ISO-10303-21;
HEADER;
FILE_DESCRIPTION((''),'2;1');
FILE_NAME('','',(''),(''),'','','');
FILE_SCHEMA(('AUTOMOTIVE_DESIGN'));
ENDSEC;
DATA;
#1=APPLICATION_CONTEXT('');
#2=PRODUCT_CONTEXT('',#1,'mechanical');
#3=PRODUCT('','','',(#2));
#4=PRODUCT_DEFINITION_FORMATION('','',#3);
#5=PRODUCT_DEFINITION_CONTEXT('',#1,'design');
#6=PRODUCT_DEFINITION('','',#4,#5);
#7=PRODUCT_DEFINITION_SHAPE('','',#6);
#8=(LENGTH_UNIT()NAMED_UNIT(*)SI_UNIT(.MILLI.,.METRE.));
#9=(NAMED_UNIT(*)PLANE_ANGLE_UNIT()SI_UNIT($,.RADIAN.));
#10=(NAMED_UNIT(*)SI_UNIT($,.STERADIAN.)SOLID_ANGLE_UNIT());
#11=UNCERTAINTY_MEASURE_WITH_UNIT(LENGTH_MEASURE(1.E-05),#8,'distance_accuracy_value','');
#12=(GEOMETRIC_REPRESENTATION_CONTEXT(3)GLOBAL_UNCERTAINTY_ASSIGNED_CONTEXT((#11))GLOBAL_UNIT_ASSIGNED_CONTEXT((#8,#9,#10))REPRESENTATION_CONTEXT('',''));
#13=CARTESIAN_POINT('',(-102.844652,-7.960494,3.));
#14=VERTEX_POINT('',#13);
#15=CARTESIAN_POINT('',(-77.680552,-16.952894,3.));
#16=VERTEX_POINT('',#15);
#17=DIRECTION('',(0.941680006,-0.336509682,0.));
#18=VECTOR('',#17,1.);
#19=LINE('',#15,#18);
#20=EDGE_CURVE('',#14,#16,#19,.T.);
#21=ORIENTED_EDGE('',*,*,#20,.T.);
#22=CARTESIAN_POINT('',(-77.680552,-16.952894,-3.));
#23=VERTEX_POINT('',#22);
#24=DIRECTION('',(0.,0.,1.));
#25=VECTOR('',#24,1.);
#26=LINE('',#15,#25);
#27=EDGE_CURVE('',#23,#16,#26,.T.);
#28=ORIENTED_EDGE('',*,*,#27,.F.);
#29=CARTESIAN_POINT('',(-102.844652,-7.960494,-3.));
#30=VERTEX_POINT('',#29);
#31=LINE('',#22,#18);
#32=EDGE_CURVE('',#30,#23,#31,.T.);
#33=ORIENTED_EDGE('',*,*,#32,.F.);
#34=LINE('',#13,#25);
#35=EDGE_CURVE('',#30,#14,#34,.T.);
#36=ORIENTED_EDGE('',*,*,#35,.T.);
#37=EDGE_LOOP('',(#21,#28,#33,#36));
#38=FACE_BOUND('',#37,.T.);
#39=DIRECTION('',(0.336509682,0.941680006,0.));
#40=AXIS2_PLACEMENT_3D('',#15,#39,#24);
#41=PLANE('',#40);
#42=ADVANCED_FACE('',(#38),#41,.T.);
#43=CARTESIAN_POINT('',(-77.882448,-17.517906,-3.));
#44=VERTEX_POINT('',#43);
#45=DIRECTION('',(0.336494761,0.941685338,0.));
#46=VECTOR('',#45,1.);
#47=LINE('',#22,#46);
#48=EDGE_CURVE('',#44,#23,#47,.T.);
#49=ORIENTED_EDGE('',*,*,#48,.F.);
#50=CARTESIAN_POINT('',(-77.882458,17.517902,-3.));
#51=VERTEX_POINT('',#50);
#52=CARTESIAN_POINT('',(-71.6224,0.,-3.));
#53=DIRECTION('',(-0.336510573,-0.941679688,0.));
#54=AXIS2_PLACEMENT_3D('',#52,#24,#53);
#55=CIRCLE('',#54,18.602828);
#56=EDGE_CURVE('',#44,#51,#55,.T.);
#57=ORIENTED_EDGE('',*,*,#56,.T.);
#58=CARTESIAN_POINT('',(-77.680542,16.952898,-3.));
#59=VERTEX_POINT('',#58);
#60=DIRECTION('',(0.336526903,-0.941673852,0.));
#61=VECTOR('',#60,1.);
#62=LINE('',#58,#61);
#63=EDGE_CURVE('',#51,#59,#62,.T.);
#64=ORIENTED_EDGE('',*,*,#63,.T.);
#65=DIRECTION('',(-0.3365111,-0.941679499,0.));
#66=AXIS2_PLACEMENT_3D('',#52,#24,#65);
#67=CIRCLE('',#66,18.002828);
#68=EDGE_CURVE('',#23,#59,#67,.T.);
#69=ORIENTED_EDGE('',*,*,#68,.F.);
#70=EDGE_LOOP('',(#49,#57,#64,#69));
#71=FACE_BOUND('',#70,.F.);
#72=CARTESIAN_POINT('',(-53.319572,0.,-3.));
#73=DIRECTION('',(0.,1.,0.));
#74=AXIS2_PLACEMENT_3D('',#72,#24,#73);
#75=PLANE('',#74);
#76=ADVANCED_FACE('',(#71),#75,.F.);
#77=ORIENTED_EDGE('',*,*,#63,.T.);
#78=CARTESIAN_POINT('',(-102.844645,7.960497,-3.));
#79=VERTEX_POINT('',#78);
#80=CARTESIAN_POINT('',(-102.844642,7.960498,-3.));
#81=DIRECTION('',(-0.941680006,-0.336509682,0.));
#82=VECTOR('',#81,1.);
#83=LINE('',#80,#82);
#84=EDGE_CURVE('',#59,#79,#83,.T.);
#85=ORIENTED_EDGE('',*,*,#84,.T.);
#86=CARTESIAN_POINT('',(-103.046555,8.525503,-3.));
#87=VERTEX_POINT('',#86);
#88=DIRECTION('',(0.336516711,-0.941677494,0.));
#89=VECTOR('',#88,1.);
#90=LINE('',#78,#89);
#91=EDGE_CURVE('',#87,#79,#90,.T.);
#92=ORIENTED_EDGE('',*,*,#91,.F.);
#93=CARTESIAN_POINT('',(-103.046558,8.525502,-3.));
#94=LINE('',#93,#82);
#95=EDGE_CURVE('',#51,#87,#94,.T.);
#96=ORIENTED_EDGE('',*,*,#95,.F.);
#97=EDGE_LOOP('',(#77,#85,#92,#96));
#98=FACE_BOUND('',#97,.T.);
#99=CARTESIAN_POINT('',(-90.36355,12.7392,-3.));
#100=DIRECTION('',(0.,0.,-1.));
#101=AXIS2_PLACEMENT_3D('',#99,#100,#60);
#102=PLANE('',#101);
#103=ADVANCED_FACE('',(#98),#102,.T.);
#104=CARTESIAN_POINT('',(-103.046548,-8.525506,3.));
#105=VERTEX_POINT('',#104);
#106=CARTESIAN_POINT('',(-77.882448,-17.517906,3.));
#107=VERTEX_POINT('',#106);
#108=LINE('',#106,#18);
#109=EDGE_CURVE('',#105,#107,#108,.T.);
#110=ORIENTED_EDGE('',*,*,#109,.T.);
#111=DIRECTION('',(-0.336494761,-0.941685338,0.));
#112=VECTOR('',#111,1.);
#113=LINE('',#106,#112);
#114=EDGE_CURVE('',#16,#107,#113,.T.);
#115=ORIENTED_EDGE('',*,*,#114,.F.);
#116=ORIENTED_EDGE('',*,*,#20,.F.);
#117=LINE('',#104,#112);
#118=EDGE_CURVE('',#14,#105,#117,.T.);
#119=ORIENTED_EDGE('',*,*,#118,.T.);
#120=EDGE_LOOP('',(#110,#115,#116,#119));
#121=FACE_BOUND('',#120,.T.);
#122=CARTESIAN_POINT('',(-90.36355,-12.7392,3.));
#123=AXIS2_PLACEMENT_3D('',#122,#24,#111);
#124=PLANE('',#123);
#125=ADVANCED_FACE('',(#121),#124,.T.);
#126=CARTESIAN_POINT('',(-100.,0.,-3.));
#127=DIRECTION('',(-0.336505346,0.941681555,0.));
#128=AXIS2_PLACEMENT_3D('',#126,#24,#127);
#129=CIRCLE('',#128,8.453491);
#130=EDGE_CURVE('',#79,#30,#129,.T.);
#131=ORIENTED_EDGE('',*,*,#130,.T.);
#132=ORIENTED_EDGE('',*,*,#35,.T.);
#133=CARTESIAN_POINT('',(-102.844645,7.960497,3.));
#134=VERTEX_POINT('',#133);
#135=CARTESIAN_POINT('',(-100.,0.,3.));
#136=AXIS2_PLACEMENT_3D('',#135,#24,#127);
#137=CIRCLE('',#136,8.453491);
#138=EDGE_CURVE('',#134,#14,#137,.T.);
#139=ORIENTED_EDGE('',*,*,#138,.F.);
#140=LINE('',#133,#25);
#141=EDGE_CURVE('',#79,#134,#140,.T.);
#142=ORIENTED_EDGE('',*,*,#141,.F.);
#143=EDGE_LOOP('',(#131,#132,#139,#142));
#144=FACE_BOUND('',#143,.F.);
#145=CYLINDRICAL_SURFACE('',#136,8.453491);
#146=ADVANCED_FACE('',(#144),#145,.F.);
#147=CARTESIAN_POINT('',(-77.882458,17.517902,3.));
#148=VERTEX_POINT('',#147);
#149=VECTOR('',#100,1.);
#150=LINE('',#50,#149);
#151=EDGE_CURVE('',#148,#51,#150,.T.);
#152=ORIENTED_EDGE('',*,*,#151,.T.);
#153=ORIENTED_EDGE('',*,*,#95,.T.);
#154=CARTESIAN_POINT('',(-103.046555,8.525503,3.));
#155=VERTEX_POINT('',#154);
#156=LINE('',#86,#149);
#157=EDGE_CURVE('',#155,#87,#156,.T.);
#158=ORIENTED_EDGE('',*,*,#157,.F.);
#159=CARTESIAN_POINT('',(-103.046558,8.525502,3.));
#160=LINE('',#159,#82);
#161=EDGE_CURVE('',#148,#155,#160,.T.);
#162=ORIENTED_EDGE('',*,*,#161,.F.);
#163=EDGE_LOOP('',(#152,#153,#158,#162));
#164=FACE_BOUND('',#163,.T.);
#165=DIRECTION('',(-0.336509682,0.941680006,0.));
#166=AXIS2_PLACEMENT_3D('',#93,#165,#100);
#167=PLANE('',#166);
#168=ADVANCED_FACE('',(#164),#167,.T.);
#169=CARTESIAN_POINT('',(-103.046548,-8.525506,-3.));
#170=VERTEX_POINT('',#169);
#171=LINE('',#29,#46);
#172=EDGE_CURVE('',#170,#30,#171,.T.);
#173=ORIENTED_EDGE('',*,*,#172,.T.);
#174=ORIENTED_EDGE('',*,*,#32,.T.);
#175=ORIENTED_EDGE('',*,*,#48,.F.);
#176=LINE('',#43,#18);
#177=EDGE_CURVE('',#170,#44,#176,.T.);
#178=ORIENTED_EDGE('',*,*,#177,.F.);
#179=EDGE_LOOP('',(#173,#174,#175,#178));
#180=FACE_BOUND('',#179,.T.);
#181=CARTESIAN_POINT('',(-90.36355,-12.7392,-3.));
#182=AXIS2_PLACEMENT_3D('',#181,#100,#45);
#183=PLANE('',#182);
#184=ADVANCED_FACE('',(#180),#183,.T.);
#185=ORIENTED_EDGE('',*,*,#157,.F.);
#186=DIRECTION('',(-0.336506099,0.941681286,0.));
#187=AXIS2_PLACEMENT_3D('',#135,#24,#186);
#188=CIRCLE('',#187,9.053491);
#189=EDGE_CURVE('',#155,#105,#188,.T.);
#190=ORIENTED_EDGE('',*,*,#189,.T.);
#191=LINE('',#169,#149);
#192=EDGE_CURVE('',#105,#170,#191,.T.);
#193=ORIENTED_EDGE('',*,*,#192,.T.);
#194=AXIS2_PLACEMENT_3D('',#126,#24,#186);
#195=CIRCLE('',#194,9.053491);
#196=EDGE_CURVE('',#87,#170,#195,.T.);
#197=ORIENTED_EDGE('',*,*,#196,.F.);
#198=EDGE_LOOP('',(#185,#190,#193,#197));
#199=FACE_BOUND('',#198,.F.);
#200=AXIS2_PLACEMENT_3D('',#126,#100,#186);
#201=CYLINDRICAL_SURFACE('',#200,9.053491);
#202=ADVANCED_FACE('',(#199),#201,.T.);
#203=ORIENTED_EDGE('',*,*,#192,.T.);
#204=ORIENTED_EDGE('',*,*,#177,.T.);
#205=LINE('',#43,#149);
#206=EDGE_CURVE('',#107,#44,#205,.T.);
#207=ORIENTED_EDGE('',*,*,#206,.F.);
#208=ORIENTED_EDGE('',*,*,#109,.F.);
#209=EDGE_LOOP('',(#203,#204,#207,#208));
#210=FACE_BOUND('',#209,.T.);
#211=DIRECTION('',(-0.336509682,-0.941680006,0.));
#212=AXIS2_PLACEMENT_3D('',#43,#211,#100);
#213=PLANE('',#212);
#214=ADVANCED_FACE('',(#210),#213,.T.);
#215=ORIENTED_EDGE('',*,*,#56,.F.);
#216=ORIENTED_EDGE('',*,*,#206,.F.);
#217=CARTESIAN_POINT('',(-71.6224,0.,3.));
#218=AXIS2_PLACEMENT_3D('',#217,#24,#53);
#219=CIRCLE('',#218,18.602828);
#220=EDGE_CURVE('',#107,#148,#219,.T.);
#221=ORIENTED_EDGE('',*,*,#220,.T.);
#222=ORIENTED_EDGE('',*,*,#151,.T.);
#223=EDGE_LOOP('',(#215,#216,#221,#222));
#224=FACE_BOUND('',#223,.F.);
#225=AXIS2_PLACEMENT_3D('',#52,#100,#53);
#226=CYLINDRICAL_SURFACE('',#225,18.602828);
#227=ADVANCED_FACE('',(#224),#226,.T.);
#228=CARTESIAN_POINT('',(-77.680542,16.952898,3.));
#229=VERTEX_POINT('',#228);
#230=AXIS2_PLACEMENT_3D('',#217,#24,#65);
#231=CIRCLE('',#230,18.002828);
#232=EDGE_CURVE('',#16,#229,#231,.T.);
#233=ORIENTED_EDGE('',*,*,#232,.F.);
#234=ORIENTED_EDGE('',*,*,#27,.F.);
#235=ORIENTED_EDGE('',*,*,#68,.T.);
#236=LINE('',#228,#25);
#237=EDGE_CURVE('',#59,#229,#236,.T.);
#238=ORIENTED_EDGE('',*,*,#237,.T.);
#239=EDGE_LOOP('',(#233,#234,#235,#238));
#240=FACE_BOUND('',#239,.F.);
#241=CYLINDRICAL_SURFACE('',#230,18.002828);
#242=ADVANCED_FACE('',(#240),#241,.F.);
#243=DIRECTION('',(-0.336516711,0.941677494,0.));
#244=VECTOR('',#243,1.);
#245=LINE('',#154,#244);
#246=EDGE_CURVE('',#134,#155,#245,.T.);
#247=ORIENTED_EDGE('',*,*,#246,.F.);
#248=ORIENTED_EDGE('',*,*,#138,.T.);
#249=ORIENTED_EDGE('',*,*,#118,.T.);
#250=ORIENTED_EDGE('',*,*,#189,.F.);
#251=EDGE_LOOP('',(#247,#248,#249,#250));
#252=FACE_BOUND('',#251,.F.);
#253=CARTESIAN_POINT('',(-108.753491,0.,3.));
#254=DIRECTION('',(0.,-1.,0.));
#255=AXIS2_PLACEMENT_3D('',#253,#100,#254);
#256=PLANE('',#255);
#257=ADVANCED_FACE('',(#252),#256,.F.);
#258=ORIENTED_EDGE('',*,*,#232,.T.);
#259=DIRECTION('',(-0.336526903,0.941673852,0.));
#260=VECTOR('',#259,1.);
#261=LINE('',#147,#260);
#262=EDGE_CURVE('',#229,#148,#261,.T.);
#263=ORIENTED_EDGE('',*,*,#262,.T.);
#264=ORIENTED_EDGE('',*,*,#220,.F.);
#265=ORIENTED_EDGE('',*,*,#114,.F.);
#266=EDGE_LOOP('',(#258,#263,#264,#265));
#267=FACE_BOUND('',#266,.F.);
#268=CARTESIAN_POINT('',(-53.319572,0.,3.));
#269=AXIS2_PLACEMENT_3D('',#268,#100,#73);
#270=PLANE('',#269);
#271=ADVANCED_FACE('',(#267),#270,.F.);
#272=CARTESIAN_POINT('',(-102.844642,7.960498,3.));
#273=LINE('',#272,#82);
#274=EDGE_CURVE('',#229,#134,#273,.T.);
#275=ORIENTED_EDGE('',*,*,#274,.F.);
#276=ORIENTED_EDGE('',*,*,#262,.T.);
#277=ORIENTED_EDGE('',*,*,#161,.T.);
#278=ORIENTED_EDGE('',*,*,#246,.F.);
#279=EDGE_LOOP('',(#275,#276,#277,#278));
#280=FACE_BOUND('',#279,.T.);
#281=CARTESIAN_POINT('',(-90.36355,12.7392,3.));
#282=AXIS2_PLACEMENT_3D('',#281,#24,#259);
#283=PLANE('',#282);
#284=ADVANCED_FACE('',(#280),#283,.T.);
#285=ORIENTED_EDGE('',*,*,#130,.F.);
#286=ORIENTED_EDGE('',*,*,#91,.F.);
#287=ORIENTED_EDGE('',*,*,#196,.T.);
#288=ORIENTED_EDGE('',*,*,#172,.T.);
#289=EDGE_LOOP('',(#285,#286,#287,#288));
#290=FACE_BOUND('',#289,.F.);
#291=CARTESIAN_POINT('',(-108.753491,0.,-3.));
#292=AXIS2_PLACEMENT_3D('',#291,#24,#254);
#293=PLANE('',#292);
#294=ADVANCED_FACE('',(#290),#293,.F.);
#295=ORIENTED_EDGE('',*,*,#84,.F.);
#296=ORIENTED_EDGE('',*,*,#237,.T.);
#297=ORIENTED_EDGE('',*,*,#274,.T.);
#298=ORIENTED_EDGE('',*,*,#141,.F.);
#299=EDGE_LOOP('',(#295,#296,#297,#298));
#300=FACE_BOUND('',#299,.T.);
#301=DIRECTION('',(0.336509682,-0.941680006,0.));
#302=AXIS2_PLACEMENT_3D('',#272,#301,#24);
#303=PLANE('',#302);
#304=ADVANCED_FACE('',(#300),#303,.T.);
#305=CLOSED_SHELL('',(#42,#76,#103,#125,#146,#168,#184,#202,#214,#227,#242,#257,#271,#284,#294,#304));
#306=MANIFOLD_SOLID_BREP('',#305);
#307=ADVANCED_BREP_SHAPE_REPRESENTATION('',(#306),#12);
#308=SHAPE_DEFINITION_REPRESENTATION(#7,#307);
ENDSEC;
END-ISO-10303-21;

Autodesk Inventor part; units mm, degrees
sketch "Skizzenpfad" plane through (0, 0, 0) normal (0, 0, 1) x (1, 0, 0)
  arc A0 (-102.9456, 8.243) -> (-102.9456, -8.243) centre (-100, 0) ccw
  arc A1 (-77.7815, -17.2354) -> (-77.7815, 17.2354) centre (-71.6224, 0) ccw
  line L0 (-77.7815, -17.2354) -> (-102.9456, -8.243)
  line L1 (-102.9456, 8.243) -> (-77.7815, 17.2354)
ref_plane "Querschnittsebene" through (-102.9456, -8.243, 0) normal (0.9417, -0.3365, 0) x (0, 0, 1)
ref_plane "Arbeitsebene2" through (-100, 0, 0) normal (-1, 0, 0) x (0, 0, 1)
ref_plane "Arbeitsebene3" through (-71.6224, 0, 0) normal (-0.9629, -0.2698, 0) x (0, 0, 1)
sketch "Querschnitt" plane through (-102.9456, -8.243, 0) normal (0.9417, -0.3365, 0) x (0, 0, 1)
  line L0 (-3, 0.3) -> (3, 0.3)
  line L1 (3, 0.3) -> (3, -0.3)
  line L2 (3, -0.3) -> (-3, -0.3)
  line L3 (-3, -0.3) -> (-3, 0.3)
  line L4 (-3, 0) -> (3, 0) construction
  point P0 (0, 0)
  point P1 (0, 0)
  dimension "d0" = 6
  dimension "d4" = 0.3
  dimension "d5" = 0.3
sweep "Riemen" add profiles "Querschnitt" path "Skizzenpfad"
equation "\"d0\" = da_B"
equation "\"d4\" = da_a"
equation "\"d5\" = da_a2"
equation "\"da_B\" = 6"
equation "\"da_pb\" = 2.5"
equation "\"da_L\" = 145"
equation "\"da_a\" = 0.3"
equation "\"da_S\" = 1.5"
equation "\"da_Beta\" = 20deg"
equation "\"da_Ht\" = 0.7"
equation "\"da_H\" = 1.3"
equation "\"da_a2\" = 0.3"
properties part number "Zahnriemen" material "Rubber"
